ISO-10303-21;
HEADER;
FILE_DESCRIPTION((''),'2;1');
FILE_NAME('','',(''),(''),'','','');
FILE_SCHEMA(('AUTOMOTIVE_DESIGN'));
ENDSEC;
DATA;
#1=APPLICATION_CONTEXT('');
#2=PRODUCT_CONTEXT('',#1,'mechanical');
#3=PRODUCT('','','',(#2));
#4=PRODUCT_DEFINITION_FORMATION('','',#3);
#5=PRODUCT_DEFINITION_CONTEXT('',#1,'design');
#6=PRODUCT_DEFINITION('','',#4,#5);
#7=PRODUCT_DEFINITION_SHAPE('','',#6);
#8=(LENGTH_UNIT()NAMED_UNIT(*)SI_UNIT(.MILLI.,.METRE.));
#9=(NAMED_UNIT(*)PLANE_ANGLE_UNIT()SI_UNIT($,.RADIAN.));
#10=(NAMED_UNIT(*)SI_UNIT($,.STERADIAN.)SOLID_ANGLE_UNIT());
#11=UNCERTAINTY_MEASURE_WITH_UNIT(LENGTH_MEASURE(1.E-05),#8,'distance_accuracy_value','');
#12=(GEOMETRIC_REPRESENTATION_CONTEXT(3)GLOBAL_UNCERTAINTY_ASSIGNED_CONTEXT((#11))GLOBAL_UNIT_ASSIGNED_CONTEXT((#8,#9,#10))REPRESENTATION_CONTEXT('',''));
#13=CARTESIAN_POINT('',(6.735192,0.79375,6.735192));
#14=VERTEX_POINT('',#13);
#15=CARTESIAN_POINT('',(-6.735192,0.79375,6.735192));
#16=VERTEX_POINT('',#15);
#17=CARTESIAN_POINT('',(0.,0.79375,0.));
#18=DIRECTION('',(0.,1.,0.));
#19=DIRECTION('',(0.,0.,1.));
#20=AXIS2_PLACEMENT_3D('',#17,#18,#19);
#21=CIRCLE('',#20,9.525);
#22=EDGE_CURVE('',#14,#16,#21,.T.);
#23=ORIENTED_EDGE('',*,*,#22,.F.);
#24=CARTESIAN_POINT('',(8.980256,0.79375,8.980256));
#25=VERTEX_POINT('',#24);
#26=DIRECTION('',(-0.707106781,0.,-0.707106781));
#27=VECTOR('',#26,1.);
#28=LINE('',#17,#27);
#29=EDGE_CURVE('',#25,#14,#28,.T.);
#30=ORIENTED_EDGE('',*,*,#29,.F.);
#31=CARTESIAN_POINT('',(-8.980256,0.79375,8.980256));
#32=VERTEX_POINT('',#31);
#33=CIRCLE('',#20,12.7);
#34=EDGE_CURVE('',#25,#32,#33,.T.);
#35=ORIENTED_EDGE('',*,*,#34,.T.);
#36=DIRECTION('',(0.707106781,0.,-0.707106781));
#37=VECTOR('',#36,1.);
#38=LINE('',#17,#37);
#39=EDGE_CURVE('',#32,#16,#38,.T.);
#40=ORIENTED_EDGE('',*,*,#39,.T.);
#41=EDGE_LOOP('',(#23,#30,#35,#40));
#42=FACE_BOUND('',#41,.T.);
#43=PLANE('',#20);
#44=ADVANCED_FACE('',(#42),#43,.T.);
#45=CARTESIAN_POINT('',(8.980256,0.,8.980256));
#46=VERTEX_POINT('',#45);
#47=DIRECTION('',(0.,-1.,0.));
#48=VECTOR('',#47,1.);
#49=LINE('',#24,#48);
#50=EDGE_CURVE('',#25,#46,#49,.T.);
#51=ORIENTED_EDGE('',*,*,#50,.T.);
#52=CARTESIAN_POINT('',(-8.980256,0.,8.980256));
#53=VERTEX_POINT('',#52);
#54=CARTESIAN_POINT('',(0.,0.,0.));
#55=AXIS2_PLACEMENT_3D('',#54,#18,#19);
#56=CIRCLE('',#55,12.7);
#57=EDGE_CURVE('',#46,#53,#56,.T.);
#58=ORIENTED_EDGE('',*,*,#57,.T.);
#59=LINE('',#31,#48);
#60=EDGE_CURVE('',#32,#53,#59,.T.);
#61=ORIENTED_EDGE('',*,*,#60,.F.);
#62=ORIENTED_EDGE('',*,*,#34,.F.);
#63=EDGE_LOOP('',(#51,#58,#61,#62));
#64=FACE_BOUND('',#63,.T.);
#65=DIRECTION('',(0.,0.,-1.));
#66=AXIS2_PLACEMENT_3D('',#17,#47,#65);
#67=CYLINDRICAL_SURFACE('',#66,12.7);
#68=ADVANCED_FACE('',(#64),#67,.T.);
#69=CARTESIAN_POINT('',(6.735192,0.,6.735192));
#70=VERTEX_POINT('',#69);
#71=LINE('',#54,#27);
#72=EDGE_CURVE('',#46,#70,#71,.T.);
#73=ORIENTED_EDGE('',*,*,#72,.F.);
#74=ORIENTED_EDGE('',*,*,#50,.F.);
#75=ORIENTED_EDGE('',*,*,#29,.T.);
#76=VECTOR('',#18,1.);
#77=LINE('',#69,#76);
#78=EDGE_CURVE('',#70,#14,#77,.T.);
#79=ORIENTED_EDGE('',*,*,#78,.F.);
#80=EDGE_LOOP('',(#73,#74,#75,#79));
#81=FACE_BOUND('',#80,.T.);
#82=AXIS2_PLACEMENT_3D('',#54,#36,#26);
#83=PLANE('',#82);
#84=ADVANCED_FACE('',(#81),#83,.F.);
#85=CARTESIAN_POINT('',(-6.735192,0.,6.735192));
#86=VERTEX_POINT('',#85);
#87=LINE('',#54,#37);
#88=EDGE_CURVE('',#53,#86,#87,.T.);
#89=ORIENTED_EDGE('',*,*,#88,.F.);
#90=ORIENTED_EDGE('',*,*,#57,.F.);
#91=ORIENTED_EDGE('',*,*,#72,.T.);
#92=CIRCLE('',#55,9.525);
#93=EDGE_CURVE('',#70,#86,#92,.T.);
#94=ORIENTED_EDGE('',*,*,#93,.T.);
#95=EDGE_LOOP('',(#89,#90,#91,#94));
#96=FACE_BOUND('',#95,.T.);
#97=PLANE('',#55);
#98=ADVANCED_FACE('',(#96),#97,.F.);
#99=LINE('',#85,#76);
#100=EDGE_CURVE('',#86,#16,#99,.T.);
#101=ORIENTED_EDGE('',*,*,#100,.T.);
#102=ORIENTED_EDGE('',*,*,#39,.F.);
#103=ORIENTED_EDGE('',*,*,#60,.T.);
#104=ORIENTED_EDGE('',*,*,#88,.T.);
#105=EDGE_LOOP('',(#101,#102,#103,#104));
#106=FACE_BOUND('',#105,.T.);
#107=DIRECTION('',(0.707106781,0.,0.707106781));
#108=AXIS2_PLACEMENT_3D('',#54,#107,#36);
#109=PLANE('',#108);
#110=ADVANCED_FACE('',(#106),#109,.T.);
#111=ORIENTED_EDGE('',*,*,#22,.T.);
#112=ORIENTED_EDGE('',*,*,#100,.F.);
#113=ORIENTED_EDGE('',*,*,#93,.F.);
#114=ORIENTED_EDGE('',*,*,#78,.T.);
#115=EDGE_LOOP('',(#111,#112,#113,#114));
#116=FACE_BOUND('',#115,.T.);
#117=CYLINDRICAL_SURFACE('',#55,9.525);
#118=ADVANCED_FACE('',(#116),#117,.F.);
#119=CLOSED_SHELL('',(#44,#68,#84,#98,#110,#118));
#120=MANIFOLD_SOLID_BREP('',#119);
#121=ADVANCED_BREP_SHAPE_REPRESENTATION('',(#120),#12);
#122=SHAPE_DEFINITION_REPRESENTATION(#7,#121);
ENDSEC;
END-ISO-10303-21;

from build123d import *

# Parameters (mm, degrees)
SKETCH2_R                    = 12.7
BOSS_EXTRUDE1_DEPTH          = 0.79375
SKETCH3_R                    = 9.525
CUT_EXTRUDE1_DEPTH           = 1.79375
SKETCH4_W                    = 22.318168974
SKETCH4_H                    = 8.357131245
CUT_REVOLVE1_ANGLE           = 45
CUT_REVOLVE1_OTHER_WAY_ANGLE = 45


with BuildPart() as part:
    # Sketch2 → Boss-Extrude1 (new body)
    with BuildSketch(Plane(origin=(0, 0, 0), x_dir=(1, 0, 0), z_dir=(0, 1, 0))):
        Circle(SKETCH2_R)
    extrude(amount=BOSS_EXTRUDE1_DEPTH)

    # Sketch3 → Cut-Extrude1 (cut, through all)
    with BuildSketch(Plane(origin=(0, 0.79375, 0), x_dir=(1, 0, 0), z_dir=(0, 1, 0))):
        Circle(SKETCH3_R)
    extrude(amount=-CUT_EXTRUDE1_DEPTH, mode=Mode.SUBTRACT)

    # Sketch4 → Cut-Revolve1 (revolve, cut)
    with BuildSketch(Plane(origin=(0, 0, 0), x_dir=(0, 0, -1), z_dir=(1, 0, 0))):
        with Locations((-11.159084487, 3.258563731)):
            Rectangle(SKETCH4_W, SKETCH4_H)
    revolve(axis=Axis((0, -0.920001892, 0), (0, 1, 0)), revolution_arc=CUT_REVOLVE1_ANGLE, mode=Mode.SUBTRACT)

    # Sketch4 → Cut-Revolve1 other way (revolve, cut)
    with BuildSketch(Plane(origin=(0, 0, 0), x_dir=(0, 0, -1), z_dir=(1, 0, 0))):
        with Locations((-11.159084487, 3.258563731)):
            Rectangle(SKETCH4_W, SKETCH4_H)
    revolve(axis=Axis((0, -0.920001892, 0), (0, -1, 0)), revolution_arc=CUT_REVOLVE1_OTHER_WAY_ANGLE, mode=Mode.SUBTRACT)


solid = part.part
